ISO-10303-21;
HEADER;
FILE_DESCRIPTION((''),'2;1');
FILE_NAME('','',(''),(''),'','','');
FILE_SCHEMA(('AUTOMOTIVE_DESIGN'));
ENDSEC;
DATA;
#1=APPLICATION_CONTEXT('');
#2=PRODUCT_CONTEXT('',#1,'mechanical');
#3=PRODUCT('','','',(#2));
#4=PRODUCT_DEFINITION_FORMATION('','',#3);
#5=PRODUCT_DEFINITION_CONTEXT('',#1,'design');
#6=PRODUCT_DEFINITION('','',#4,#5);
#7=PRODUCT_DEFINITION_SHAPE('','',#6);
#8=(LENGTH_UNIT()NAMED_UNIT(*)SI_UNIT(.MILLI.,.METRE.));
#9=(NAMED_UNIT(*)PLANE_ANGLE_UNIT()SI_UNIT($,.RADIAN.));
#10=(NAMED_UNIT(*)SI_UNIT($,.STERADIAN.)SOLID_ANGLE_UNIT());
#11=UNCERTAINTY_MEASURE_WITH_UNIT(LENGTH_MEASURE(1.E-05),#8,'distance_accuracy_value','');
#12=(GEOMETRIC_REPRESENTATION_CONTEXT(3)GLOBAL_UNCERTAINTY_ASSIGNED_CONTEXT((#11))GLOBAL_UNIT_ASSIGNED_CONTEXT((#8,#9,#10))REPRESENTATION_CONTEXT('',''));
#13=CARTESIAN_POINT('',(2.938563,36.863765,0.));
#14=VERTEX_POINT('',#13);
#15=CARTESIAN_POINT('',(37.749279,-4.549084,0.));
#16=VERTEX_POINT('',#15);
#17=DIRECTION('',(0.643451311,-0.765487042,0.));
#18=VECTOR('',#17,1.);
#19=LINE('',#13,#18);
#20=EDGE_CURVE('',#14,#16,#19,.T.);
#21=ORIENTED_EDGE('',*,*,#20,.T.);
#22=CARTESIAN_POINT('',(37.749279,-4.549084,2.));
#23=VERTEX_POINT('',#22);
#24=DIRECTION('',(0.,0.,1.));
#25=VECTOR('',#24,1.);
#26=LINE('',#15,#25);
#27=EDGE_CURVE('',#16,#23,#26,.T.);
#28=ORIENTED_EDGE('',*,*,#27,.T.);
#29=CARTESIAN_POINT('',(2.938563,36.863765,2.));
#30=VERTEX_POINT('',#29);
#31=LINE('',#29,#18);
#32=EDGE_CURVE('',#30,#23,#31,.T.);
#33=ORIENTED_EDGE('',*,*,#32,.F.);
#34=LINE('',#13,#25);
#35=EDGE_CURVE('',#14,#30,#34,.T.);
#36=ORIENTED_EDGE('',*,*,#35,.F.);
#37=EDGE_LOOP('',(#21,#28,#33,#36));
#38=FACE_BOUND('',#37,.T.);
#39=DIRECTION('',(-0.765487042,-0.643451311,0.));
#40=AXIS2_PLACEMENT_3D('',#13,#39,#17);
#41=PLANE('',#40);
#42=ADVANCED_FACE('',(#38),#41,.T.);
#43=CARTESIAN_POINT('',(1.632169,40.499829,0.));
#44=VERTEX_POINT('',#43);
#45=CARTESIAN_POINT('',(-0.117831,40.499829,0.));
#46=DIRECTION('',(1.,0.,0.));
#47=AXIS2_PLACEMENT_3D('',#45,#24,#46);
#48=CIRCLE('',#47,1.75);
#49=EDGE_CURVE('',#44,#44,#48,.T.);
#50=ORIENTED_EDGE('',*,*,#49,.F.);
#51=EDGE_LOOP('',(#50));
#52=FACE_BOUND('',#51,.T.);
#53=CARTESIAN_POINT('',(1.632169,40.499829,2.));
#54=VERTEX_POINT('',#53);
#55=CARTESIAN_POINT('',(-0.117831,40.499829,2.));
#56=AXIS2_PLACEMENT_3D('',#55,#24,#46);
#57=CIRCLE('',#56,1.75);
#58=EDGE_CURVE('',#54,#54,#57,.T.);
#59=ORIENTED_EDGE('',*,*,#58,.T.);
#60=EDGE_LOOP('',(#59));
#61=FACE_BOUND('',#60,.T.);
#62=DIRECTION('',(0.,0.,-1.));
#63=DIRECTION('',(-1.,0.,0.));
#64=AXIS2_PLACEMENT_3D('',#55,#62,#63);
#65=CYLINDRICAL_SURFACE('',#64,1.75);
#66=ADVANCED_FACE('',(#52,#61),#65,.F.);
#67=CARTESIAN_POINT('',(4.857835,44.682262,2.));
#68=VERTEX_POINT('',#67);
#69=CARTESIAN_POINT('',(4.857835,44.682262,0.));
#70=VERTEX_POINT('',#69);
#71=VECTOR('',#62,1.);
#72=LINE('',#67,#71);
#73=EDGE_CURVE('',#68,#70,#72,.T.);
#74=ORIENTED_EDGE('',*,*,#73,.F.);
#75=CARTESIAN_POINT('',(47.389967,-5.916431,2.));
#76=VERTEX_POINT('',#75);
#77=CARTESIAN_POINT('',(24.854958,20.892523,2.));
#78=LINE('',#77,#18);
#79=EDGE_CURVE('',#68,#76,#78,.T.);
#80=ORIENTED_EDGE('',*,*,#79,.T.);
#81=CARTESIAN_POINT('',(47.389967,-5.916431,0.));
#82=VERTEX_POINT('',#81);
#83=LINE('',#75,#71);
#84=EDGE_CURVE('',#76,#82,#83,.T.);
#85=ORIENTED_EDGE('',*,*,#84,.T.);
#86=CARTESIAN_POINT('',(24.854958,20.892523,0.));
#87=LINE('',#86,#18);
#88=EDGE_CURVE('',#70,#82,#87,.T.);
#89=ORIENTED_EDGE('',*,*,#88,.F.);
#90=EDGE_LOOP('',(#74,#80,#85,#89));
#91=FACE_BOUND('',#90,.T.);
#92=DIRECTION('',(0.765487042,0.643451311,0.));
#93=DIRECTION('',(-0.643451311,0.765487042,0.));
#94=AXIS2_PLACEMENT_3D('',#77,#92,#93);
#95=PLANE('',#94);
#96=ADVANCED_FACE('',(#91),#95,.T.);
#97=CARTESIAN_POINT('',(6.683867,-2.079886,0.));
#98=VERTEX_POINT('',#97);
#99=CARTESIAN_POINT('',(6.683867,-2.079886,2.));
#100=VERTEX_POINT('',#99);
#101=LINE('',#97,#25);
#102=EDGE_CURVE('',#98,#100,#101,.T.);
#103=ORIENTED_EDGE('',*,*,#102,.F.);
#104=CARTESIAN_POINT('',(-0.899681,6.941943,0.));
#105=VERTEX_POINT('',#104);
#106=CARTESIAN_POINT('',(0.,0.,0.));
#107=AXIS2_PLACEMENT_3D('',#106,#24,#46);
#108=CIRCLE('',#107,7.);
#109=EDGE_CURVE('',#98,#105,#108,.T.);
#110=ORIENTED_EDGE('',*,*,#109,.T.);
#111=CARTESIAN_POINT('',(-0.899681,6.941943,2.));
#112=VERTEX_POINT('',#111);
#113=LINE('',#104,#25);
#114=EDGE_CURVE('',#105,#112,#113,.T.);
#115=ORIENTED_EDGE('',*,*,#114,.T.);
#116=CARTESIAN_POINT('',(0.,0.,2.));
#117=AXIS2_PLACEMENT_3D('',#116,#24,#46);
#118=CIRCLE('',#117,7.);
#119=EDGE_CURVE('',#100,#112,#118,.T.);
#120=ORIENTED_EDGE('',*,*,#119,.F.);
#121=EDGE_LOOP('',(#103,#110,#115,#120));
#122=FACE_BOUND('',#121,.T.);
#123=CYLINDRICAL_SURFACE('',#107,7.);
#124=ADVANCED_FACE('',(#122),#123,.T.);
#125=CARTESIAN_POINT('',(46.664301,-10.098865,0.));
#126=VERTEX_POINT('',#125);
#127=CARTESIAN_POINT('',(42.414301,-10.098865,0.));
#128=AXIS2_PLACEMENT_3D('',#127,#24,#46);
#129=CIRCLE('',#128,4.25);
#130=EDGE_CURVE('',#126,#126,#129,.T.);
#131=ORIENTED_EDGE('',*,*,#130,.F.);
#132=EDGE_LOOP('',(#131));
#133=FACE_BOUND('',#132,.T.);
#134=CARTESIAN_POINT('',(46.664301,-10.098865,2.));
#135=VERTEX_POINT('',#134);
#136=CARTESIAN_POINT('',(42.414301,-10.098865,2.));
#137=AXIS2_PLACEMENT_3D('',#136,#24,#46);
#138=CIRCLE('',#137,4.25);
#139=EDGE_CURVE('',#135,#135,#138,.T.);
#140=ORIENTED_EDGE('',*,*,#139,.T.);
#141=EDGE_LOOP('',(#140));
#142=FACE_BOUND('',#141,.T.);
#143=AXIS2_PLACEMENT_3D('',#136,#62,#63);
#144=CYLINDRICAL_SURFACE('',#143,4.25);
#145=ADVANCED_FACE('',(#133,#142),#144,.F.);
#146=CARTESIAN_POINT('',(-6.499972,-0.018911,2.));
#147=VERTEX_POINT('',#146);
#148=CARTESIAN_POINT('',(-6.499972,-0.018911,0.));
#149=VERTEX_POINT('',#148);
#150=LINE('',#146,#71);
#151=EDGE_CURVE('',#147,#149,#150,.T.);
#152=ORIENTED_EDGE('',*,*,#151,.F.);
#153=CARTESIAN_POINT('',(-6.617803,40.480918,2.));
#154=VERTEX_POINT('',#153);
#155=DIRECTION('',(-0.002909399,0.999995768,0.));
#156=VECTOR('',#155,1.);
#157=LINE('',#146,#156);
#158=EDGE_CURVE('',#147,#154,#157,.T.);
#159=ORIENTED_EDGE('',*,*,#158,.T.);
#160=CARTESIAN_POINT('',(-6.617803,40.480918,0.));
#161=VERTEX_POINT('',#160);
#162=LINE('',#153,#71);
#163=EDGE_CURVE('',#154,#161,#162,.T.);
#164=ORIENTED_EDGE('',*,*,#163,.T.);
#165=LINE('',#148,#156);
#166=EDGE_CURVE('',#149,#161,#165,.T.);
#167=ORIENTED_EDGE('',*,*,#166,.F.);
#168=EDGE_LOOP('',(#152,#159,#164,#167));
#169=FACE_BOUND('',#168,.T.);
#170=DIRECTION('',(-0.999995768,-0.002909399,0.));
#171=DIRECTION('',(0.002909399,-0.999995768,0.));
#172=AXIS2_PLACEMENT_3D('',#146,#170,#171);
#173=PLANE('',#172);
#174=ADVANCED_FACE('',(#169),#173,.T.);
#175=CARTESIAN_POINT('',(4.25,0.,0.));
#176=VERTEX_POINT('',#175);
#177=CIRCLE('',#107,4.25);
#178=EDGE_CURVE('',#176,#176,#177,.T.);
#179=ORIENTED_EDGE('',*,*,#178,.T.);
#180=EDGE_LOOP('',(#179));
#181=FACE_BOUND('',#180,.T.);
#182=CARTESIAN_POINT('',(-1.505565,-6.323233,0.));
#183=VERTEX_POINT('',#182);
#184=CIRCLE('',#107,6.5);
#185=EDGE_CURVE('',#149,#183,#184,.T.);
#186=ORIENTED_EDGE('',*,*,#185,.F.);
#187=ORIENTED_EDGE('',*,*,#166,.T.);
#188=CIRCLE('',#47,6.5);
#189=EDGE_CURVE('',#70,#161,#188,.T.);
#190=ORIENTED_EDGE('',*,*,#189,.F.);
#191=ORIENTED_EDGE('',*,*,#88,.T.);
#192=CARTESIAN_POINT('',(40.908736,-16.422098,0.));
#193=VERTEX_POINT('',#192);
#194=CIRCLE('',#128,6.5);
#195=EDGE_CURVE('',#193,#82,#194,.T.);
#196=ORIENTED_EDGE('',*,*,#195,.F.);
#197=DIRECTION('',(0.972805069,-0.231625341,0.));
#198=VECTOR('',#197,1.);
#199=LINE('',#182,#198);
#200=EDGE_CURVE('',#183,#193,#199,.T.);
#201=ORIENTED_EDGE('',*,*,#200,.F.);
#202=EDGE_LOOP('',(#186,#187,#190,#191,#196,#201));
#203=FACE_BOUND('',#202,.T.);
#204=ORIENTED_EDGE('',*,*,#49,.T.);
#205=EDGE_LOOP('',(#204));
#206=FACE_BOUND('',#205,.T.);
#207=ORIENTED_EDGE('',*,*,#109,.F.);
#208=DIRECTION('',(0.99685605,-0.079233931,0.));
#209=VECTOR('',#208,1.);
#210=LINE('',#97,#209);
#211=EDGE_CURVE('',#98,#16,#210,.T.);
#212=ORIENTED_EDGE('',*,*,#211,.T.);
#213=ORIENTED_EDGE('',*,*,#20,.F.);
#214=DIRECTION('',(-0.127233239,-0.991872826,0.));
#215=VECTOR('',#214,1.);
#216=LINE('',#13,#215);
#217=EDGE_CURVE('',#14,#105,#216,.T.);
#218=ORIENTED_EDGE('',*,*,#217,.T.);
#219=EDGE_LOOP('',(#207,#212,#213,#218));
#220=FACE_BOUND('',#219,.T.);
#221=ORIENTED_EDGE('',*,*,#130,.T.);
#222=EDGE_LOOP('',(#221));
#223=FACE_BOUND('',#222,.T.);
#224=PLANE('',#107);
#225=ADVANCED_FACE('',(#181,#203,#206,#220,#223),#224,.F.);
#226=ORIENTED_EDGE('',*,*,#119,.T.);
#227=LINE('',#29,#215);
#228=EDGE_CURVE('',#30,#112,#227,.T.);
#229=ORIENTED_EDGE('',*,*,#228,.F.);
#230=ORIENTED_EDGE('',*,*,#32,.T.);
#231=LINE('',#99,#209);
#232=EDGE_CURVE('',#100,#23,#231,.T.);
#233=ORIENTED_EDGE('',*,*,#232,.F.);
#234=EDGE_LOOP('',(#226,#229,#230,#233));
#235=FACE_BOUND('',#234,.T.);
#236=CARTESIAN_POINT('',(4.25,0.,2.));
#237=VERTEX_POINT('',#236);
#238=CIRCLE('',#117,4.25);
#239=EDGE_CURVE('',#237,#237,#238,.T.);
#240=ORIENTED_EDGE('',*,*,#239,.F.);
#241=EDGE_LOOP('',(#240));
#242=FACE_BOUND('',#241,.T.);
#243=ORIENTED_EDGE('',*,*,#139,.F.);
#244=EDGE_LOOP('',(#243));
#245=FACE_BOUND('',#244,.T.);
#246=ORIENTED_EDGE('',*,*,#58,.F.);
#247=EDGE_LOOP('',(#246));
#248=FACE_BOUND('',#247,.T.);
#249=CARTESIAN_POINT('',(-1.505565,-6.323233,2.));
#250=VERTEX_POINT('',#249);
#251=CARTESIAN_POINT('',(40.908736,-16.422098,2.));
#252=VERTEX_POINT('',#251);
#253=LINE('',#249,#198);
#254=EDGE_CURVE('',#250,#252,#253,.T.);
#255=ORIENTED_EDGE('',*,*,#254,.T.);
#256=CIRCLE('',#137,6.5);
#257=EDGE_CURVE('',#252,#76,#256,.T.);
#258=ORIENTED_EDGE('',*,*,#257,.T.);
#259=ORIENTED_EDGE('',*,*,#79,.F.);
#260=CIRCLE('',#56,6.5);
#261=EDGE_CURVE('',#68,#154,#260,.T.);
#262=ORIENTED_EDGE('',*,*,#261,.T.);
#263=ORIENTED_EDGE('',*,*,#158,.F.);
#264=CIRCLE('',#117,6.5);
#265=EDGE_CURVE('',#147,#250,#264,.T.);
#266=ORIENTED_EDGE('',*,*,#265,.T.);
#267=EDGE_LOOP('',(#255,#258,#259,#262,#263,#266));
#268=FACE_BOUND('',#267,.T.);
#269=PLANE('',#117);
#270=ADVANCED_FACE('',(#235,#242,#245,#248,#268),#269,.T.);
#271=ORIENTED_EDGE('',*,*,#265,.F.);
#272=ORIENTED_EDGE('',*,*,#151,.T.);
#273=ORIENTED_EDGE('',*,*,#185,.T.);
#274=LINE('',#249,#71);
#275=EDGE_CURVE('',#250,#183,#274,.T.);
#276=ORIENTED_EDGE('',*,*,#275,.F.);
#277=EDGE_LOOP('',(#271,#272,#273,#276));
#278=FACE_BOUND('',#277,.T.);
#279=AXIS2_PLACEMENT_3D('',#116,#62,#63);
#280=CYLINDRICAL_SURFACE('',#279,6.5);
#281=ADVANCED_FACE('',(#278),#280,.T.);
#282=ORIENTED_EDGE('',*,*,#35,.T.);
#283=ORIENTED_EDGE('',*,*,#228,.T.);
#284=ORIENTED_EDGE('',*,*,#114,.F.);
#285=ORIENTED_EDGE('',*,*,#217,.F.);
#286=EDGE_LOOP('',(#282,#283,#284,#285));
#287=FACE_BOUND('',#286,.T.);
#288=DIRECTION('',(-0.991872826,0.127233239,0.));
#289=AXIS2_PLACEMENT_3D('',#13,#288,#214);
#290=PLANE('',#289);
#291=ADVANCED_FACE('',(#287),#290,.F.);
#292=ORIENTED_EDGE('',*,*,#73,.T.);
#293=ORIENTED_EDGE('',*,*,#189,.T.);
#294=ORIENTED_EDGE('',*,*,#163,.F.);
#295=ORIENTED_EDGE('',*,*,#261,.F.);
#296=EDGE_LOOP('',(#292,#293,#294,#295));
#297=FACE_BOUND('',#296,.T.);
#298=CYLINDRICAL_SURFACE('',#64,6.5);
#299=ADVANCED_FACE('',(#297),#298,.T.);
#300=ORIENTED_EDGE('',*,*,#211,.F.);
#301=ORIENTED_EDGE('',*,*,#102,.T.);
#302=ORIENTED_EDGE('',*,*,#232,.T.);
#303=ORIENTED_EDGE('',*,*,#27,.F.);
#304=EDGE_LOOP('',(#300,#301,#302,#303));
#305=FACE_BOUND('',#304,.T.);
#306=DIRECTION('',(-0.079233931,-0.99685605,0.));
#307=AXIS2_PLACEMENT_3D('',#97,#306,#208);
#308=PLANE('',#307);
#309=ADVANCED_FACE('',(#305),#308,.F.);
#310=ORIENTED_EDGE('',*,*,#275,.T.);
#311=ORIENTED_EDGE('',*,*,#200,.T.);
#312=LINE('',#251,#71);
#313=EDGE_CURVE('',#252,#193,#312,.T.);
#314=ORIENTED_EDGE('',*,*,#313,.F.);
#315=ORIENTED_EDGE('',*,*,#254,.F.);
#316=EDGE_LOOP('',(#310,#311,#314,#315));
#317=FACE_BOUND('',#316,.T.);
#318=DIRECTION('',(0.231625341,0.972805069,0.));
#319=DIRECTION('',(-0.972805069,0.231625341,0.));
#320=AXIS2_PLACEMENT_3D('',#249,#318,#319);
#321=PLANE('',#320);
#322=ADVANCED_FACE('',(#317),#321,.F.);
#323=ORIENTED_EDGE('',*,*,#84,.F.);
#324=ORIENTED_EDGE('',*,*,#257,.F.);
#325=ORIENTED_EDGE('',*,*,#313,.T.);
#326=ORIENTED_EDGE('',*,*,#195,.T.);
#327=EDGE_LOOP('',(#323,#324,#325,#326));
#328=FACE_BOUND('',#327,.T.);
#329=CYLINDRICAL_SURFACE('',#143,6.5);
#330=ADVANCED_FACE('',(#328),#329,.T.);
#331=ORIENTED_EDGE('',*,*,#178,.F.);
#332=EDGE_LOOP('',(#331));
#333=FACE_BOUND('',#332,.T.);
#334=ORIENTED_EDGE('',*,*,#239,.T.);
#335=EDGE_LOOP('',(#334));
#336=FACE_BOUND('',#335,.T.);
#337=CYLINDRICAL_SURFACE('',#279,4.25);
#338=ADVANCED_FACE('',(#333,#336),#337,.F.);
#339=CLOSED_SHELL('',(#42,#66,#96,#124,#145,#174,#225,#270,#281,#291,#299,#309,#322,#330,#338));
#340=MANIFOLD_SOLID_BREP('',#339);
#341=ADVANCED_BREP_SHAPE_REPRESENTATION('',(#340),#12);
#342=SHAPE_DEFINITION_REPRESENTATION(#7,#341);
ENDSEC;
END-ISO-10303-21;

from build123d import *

# Parameters (mm, degrees)
SKETCH_1_R          = 6.5
SKETCH_1_R_2        = 1.75
SKETCH_1_R_3        = 4.25
EXTRUDE_1_DEPTH     = 2
SKETCH_2_R          = 4.25
CUT_EXTRUDE_1_DEPTH = 3


with BuildPart() as part:
    # 草图1 → 凸台-拉伸1 (new body)
    with BuildSketch(Plane.XY):
        with BuildLine():
            Line((-6.617803136, 40.4809175), (-6.49997249, -0.018911091))
            ThreePointArc((-6.49997249, -0.018911091), (-0.009455556, 6.499993122), (6.5, 0))
            ThreePointArc((6.5, 0), (4.028885042, -5.100792617), (-1.505564714, -6.323232946))
            Line((-1.505564714, -6.323232946), (40.908736278, -16.422097799))
            ThreePointArc((40.908736278, -16.422097799), (36.882334136, -6.68604451), (47.389966762, -5.916431333))
            Line((47.389966762, -5.916431333), (4.857835124, 44.682262111))
            ThreePointArc((4.857835124, 44.682262111), (5.989207405, 42.725606264), (6.382169354, 40.499828591))
            ThreePointArc((6.382169354, 40.499828591), (-0.10837509, 33.999835469), (-6.617803136, 40.4809175))
        make_face()
        with Locations((-0.117830646, 40.499828591)):
            Circle(SKETCH_1_R)
        with Locations((-0.117830646, 40.499828591)):
            Circle(SKETCH_1_R_2, mode=Mode.SUBTRACT)
        with BuildLine():
            ThreePointArc((6.5, 0), (-0.009455556, 6.499993122), (-6.49997249, -0.018911091))
            ThreePointArc((-6.49997249, -0.018911091), (-5.094926397, -4.036300906), (-1.505564714, -6.323232946))
            ThreePointArc((-1.505564714, -6.323232946), (4.028885042, -5.100792617), (6.5, 0))
        make_face()
        Circle(SKETCH_1_R_3, mode=Mode.SUBTRACT)
        with Locations((42.414300993, -10.098864853)):
            Circle(SKETCH_1_R)
        with Locations((42.414300993, -10.098864853)):
            Circle(SKETCH_1_R_3, mode=Mode.SUBTRACT)
    extrude(amount=EXTRUDE_1_DEPTH)

    # 草图2 → 切除-拉伸1 (cut, through all)
    with BuildSketch(Plane.XY.offset(2)):
        with Locations((42.414300993, -10.098864853)):
            Circle(SKETCH_2_R)
        with BuildLine():
            Line((2.93856308, 36.863765144), (37.74927899, -4.549083802))
            Line((37.74927899, -4.549083802), (6.683866701, -2.079886036))
            ThreePointArc((6.683866701, -2.079886036), (5.358409291, 4.504159175), (-0.899681346, 6.941943062))
            Line((-0.899681346, 6.941943062), (2.93856308, 36.863765144))
        make_face()
    extrude(amount=-CUT_EXTRUDE_1_DEPTH, mode=Mode.SUBTRACT)


solid = part.part
